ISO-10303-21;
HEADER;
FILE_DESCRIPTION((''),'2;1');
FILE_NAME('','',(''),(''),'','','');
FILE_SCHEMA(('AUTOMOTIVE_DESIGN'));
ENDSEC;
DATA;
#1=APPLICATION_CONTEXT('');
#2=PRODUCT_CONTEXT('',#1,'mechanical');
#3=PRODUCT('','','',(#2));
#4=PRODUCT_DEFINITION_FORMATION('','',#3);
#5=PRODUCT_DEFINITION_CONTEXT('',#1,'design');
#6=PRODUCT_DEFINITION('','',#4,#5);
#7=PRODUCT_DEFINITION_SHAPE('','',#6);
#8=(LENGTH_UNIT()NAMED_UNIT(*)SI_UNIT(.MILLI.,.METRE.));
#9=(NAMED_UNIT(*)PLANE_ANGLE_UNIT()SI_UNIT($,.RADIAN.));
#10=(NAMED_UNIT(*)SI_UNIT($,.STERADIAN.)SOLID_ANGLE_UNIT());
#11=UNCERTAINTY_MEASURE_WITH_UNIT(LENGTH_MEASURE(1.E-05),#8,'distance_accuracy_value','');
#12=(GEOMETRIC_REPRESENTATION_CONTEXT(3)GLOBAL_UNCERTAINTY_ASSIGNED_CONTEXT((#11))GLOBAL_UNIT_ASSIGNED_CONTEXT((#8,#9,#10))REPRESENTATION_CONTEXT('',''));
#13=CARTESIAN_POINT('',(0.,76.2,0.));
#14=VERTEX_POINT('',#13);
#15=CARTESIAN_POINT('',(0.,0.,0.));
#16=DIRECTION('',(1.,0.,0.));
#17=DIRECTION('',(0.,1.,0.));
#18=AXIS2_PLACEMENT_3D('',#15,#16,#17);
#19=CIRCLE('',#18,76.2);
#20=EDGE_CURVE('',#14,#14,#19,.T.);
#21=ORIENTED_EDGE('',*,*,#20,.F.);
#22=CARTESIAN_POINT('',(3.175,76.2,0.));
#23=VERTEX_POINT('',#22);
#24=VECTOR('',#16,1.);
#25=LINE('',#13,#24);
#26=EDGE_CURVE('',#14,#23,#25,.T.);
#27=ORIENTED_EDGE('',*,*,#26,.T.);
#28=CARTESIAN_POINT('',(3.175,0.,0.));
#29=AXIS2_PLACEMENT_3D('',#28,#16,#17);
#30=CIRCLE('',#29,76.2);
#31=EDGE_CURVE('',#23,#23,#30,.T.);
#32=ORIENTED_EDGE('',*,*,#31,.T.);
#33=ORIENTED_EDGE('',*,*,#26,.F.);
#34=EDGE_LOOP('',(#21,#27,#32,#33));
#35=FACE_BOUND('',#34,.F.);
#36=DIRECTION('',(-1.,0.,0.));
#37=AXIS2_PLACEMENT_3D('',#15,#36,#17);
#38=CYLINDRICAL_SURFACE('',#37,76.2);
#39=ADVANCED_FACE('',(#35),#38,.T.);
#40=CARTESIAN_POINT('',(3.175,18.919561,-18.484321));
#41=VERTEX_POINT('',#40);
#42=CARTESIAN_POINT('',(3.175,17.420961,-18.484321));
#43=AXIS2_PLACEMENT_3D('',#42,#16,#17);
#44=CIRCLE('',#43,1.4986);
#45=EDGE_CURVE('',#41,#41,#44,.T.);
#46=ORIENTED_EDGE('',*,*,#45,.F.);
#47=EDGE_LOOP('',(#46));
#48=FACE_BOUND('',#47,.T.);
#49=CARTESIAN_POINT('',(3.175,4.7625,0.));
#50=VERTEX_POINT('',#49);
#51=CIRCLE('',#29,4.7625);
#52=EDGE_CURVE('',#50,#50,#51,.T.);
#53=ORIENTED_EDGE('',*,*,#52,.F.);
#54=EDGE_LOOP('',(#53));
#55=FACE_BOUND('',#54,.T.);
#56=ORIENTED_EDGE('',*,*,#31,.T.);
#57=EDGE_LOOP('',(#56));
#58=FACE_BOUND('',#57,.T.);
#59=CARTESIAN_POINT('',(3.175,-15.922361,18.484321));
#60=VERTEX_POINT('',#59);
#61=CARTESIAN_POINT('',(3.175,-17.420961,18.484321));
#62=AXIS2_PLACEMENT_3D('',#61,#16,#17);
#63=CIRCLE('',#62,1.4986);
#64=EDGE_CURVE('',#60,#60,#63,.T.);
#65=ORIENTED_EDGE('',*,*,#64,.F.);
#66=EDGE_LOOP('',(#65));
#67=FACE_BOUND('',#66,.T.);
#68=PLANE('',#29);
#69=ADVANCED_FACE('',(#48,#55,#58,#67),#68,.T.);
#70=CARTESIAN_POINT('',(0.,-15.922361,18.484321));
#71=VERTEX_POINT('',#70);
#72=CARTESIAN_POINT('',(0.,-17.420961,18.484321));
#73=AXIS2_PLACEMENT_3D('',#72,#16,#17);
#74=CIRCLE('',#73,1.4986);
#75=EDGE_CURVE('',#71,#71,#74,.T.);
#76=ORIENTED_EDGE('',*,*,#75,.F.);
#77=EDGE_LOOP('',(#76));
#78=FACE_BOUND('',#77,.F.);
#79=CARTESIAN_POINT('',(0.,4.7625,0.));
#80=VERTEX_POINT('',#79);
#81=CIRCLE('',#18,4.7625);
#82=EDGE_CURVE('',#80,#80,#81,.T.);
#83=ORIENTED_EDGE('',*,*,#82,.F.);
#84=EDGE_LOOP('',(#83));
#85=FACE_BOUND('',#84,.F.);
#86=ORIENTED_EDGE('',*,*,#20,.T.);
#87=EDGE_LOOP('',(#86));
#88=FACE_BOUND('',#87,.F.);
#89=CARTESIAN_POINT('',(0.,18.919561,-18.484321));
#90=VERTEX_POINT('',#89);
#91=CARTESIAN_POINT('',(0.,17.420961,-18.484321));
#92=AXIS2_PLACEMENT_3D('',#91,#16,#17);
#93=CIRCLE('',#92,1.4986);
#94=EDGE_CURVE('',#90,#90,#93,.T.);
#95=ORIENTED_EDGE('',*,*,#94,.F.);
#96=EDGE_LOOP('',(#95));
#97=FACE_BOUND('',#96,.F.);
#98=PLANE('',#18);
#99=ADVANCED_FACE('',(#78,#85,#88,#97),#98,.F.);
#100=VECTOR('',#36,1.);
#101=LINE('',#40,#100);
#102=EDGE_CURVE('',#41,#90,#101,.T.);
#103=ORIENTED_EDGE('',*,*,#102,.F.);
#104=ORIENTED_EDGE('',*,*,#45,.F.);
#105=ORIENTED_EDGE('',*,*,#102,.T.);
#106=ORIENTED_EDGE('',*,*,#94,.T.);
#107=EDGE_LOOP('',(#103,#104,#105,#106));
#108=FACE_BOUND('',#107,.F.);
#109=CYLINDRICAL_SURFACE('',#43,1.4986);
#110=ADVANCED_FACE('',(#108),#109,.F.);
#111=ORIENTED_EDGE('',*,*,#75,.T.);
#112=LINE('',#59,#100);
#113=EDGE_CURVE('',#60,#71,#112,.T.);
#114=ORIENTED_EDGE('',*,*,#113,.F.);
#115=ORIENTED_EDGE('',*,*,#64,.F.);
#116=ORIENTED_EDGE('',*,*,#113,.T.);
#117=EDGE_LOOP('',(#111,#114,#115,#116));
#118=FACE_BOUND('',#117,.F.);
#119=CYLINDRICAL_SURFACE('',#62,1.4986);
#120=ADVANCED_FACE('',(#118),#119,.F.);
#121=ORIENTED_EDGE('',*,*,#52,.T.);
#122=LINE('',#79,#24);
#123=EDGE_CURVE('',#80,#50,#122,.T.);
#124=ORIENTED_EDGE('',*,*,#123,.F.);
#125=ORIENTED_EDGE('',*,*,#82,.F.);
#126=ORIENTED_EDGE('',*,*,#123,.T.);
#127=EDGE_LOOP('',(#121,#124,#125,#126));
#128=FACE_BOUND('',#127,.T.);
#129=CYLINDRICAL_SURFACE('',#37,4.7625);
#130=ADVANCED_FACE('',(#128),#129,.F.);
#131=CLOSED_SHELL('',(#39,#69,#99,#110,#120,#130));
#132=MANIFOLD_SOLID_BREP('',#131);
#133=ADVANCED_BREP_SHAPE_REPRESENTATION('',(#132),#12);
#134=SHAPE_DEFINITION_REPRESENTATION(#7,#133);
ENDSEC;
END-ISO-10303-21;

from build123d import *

# Parameters (mm, degrees)
F0_R     = 76.2
F0_R_2   = 4.7625
F1_DEPTH = 3.175
F2_R     = 1.5875
F3_DEPTH = 3.176
F4_R     = 1.4986
F5_DEPTH = 25.4


with BuildPart() as f1:
    # F0 (on Right) → F1 (new body)
    with BuildSketch(Plane.YZ):
        Circle(F0_R)
        Circle(F0_R_2, mode=Mode.SUBTRACT)
    extrude(amount=F1_DEPTH)

    # F2 (on face) → F3 (cut, through all)
    with BuildSketch(Plane.YZ.offset(3.175)):
        Circle(F2_R)
    extrude(amount=-F3_DEPTH, mode=Mode.SUBTRACT)

    # F4 (on face) → F5 (cut)
    with BuildSketch(Plane.YZ.offset(3.175)):
        with Locations((-17.420961, 18.484321)):
            Circle(F4_R)
        with Locations((17.420961, -18.484321)):
            Circle(F4_R)
    extrude(amount=-F5_DEPTH, mode=Mode.SUBTRACT)


solid = f1.part
